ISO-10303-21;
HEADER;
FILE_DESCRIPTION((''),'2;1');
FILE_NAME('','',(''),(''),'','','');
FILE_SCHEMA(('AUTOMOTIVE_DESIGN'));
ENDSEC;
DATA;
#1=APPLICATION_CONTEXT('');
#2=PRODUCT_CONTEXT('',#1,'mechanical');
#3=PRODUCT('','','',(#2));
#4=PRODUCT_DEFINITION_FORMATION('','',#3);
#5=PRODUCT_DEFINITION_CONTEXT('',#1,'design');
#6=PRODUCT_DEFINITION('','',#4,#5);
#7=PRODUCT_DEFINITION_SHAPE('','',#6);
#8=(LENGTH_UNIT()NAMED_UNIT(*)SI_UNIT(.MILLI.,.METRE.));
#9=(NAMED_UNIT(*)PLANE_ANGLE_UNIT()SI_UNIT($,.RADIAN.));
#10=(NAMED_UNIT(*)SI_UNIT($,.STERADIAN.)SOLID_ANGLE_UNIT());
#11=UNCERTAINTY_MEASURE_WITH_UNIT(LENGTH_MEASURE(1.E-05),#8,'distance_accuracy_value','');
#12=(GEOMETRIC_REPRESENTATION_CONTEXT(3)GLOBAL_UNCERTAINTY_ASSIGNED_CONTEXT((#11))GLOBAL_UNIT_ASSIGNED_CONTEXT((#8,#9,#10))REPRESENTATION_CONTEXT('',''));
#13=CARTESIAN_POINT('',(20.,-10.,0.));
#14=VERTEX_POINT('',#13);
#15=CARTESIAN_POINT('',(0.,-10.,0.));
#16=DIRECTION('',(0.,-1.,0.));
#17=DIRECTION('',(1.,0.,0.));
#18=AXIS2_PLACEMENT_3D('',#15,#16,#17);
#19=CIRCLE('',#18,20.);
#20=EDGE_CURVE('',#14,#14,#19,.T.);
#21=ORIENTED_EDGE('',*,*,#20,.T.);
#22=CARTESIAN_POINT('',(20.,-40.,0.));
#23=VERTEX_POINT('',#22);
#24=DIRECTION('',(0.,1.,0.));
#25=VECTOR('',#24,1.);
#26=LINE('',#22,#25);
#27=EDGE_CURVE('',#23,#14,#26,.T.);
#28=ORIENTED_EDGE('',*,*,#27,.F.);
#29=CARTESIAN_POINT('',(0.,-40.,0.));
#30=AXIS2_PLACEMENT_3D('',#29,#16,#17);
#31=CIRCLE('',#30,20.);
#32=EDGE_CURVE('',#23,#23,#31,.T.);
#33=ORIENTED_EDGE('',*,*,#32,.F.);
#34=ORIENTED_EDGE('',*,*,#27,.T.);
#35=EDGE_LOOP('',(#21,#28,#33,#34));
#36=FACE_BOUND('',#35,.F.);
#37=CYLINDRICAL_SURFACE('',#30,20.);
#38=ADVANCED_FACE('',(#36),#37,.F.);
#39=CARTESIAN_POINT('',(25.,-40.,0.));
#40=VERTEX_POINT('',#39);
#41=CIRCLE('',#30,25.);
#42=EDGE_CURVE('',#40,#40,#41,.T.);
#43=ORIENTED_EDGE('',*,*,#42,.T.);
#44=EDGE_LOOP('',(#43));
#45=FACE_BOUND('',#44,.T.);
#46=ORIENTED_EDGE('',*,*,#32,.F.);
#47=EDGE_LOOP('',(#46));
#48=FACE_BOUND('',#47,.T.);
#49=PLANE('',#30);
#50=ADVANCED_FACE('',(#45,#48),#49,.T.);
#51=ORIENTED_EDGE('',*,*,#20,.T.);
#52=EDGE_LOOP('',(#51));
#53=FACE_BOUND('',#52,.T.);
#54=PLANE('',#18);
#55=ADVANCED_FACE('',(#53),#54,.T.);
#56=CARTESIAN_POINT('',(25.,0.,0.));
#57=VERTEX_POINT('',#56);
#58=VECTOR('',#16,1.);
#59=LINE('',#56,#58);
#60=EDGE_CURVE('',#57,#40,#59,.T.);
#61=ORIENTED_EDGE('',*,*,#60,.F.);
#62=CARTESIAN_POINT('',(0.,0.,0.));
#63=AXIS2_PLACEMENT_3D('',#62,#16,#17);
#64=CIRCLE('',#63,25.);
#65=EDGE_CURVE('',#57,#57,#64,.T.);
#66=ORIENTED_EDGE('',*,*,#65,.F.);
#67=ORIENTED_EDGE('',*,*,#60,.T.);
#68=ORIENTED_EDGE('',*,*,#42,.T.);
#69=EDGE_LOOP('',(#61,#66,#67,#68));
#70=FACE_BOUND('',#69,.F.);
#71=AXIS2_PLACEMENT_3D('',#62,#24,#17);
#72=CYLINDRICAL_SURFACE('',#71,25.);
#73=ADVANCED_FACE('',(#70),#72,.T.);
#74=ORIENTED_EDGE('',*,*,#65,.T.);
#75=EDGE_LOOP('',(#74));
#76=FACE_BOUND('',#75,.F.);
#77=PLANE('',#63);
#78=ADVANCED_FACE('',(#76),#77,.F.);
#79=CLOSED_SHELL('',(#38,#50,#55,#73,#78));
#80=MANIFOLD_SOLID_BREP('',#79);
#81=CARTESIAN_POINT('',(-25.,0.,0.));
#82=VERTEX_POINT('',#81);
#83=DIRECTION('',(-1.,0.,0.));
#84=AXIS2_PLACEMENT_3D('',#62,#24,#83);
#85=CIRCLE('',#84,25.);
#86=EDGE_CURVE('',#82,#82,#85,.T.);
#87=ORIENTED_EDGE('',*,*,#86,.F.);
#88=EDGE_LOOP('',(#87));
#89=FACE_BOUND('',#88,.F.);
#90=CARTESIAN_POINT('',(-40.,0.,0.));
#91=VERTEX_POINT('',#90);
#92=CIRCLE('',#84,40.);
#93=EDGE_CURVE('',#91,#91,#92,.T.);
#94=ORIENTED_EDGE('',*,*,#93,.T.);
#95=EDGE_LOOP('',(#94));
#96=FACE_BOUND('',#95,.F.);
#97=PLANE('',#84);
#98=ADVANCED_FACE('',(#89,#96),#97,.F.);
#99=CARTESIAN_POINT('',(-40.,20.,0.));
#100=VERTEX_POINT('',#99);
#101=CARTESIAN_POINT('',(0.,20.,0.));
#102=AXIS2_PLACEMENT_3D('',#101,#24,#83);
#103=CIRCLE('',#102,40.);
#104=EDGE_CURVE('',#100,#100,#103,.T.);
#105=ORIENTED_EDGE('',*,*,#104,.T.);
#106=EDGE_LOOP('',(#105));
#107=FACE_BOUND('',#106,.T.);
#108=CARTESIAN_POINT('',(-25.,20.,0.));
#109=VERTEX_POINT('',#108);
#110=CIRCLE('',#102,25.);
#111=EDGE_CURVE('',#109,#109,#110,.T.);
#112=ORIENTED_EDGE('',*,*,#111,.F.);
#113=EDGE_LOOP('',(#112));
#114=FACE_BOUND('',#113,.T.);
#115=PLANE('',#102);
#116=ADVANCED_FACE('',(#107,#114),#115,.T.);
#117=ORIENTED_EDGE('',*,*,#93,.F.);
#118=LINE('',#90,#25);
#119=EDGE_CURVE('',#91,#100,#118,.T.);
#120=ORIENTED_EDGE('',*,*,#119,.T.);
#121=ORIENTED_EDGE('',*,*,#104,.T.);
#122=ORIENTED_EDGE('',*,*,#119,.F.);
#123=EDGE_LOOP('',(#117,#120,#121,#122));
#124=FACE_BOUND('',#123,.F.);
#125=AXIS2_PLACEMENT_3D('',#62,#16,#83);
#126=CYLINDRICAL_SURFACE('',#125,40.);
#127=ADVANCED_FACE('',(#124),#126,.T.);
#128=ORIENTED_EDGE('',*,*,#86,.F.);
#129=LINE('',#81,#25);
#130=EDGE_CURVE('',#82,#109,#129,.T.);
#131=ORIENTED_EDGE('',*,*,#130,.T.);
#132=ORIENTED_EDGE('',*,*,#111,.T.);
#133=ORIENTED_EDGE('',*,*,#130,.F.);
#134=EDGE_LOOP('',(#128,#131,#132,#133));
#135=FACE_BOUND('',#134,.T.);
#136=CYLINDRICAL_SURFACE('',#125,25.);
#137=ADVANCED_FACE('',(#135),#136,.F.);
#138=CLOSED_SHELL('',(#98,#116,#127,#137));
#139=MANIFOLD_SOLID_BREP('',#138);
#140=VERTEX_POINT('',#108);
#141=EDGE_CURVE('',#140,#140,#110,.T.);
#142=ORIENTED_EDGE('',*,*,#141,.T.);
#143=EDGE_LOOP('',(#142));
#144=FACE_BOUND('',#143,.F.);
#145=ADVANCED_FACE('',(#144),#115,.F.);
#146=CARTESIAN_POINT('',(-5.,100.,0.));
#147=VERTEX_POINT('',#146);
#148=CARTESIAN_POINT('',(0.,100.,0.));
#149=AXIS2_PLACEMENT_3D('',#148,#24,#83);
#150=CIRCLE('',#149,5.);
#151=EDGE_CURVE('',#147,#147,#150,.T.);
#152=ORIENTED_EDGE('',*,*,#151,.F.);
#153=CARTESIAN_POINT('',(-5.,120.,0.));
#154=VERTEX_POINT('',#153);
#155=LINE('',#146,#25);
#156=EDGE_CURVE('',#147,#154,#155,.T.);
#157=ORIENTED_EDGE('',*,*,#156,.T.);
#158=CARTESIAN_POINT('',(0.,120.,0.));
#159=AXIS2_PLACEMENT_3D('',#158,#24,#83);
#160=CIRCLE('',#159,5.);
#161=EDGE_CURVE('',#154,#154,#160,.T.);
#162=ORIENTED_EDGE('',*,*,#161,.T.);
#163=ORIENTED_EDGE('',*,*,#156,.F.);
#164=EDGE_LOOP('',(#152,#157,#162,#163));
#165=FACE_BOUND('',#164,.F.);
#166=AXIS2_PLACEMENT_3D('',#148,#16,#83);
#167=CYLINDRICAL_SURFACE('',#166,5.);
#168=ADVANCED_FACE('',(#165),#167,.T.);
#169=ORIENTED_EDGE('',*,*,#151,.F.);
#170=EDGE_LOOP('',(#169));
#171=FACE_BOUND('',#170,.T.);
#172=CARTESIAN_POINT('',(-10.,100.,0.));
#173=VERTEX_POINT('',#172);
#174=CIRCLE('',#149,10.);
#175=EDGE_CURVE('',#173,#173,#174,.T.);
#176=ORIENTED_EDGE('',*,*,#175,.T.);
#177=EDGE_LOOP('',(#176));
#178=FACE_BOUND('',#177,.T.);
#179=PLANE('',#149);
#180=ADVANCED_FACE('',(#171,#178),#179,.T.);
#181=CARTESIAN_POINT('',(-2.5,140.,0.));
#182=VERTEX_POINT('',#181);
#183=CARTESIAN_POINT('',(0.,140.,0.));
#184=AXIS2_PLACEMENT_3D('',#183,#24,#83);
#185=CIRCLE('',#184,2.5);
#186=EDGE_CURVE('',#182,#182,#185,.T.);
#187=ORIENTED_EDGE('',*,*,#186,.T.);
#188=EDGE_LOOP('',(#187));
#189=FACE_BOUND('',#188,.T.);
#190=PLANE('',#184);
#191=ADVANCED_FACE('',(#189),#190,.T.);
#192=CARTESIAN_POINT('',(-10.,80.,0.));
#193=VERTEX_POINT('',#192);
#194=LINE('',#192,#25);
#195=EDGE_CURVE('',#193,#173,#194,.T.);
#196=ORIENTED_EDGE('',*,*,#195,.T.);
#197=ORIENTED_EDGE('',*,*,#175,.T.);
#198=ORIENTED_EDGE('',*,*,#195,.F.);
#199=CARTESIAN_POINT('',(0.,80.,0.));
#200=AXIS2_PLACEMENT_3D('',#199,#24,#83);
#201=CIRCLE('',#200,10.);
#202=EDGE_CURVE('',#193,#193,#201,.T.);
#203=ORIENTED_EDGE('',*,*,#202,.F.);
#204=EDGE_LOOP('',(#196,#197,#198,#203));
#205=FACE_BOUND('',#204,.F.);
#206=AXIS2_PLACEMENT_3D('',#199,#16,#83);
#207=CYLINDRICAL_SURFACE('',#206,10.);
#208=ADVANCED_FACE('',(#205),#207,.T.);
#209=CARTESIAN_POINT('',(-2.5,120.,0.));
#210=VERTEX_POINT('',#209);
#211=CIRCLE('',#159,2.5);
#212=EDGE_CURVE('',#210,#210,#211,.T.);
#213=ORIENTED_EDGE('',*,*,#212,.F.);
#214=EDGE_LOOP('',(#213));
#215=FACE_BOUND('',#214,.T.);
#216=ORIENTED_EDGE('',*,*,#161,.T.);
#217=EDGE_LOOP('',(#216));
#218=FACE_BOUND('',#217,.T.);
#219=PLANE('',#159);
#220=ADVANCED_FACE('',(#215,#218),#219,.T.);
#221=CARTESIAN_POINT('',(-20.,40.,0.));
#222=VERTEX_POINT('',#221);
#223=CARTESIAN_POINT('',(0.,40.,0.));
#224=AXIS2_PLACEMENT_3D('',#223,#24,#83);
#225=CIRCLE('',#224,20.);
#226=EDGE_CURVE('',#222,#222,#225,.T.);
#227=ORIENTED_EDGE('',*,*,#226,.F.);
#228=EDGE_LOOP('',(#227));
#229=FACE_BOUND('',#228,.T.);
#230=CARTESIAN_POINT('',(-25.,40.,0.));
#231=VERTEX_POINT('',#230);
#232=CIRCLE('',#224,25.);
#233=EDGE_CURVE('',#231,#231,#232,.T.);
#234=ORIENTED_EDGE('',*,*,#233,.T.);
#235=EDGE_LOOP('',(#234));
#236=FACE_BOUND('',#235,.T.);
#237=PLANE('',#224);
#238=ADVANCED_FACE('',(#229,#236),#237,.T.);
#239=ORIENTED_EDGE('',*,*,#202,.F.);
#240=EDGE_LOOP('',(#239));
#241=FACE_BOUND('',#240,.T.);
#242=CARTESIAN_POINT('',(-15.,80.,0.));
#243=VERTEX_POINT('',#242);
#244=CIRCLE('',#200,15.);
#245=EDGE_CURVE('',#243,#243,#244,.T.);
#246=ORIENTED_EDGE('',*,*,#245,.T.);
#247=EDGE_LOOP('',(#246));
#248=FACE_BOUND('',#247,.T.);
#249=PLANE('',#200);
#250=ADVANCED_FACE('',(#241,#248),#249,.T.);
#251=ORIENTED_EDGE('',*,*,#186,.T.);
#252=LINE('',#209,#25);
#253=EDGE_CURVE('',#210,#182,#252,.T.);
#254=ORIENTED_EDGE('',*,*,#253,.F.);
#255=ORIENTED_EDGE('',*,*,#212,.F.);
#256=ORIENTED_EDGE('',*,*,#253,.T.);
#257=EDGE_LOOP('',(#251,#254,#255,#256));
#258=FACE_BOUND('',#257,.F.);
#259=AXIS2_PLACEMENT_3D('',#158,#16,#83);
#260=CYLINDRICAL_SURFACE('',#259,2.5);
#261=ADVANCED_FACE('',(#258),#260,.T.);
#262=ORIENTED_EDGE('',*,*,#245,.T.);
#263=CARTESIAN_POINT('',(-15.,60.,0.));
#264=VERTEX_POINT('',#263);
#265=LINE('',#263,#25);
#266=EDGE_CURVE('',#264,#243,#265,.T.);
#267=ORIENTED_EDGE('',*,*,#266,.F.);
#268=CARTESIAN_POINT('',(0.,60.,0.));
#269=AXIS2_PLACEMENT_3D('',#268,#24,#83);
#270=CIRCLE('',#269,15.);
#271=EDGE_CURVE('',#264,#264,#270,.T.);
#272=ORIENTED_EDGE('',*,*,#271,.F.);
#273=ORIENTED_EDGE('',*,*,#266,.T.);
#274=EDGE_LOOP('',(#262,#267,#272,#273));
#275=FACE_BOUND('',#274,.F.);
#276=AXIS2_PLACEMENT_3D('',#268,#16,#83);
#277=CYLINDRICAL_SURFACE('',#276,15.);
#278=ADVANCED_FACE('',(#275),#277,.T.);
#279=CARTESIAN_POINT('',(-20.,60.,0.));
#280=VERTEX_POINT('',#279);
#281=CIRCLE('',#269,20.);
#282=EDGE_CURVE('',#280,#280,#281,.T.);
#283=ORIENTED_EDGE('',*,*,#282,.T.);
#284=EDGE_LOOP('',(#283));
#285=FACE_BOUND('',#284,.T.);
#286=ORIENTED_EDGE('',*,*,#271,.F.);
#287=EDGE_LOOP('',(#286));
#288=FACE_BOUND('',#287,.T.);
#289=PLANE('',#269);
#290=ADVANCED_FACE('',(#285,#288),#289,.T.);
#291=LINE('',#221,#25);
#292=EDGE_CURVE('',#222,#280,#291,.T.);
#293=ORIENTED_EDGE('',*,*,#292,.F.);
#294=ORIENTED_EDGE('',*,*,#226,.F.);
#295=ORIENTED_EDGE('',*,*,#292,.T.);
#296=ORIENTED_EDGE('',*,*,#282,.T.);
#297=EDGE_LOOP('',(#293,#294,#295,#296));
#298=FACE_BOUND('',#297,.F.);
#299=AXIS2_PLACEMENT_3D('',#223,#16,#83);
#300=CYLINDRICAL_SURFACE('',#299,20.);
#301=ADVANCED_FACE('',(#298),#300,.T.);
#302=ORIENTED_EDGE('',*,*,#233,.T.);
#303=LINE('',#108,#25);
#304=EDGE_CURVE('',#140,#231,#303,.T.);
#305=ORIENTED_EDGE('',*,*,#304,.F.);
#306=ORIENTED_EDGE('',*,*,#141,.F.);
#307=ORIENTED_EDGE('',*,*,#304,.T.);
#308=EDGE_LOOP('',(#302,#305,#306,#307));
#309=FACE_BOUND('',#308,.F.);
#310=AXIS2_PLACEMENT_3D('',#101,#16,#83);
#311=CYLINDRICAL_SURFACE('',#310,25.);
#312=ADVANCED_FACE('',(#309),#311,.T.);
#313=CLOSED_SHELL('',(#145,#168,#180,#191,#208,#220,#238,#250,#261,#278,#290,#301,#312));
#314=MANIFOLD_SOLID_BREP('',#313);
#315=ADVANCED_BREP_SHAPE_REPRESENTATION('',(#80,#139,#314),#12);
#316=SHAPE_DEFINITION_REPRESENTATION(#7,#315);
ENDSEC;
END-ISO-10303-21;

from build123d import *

# Parameters (mm, degrees)
F0_R      = 25
F1_DEPTH  = 40
F2_R      = 20
F3_DEPTH  = 30
F4_R      = 40
F4_R_2    = 25
F5_DEPTH  = 20
F6_R      = 25
F7_DEPTH  = 20
F8_R      = 20
F9_DEPTH  = 20
F10_R     = 15
F11_DEPTH = 20
F12_R     = 10
F13_DEPTH = 20
F14_R     = 5
F15_DEPTH = 20
F16_R     = 2.5
F17_DEPTH = 20


with BuildPart() as f1:
    # F0 (on Front) → F1 (new body)
    with BuildSketch(Plane.XZ):
        Circle(F0_R)
    extrude(amount=F1_DEPTH)

    # F2 (on face) → F3 (cut)
    with BuildSketch(Plane.XZ.offset(40)):
        Circle(F2_R)
    extrude(amount=-F3_DEPTH, mode=Mode.SUBTRACT)


with BuildPart() as f5:
    # F4 (on face) → F5 (new body)
    with BuildSketch(Plane(origin=(0, 0, 0), x_dir=(-1, 0, 0), z_dir=(0, 1, 0))):
        Circle(F4_R)
        Circle(F4_R_2, mode=Mode.SUBTRACT)
    extrude(amount=F5_DEPTH)


with BuildPart() as f7:
    # F6 (on face) → F7 (new body)
    with BuildSketch(Plane(origin=(0, 20, 0), x_dir=(-1, 0, 0), z_dir=(0, 1, 0))):
        Circle(F6_R)
    extrude(amount=F7_DEPTH)

    # F8 (on face) → F9 (join)
    with BuildSketch(Plane(origin=(0, 40, 0), x_dir=(-1, 0, 0), z_dir=(0, 1, 0))):
        Circle(F8_R)
    extrude(amount=F9_DEPTH)

    # F10 (on face) → F11 (join)
    with BuildSketch(Plane(origin=(0, 60, 0), x_dir=(-1, 0, 0), z_dir=(0, 1, 0))):
        Circle(F10_R)
    extrude(amount=F11_DEPTH)

    # F12 (on face) → F13 (join)
    with BuildSketch(Plane(origin=(0, 80, 0), x_dir=(-1, 0, 0), z_dir=(0, 1, 0))):
        Circle(F12_R)
    extrude(amount=F13_DEPTH)

    # F14 (on face) → F15 (join)
    with BuildSketch(Plane(origin=(0, 100, 0), x_dir=(-1, 0, 0), z_dir=(0, 1, 0))):
        Circle(F14_R)
    extrude(amount=F15_DEPTH)

    # F16 (on face) → F17 (join)
    with BuildSketch(Plane(origin=(0, 120, 0), x_dir=(-1, 0, 0), z_dir=(0, 1, 0))):
        Circle(F16_R)
    extrude(amount=F17_DEPTH)


solid = Compound([f1.part, f5.part, f7.part])
